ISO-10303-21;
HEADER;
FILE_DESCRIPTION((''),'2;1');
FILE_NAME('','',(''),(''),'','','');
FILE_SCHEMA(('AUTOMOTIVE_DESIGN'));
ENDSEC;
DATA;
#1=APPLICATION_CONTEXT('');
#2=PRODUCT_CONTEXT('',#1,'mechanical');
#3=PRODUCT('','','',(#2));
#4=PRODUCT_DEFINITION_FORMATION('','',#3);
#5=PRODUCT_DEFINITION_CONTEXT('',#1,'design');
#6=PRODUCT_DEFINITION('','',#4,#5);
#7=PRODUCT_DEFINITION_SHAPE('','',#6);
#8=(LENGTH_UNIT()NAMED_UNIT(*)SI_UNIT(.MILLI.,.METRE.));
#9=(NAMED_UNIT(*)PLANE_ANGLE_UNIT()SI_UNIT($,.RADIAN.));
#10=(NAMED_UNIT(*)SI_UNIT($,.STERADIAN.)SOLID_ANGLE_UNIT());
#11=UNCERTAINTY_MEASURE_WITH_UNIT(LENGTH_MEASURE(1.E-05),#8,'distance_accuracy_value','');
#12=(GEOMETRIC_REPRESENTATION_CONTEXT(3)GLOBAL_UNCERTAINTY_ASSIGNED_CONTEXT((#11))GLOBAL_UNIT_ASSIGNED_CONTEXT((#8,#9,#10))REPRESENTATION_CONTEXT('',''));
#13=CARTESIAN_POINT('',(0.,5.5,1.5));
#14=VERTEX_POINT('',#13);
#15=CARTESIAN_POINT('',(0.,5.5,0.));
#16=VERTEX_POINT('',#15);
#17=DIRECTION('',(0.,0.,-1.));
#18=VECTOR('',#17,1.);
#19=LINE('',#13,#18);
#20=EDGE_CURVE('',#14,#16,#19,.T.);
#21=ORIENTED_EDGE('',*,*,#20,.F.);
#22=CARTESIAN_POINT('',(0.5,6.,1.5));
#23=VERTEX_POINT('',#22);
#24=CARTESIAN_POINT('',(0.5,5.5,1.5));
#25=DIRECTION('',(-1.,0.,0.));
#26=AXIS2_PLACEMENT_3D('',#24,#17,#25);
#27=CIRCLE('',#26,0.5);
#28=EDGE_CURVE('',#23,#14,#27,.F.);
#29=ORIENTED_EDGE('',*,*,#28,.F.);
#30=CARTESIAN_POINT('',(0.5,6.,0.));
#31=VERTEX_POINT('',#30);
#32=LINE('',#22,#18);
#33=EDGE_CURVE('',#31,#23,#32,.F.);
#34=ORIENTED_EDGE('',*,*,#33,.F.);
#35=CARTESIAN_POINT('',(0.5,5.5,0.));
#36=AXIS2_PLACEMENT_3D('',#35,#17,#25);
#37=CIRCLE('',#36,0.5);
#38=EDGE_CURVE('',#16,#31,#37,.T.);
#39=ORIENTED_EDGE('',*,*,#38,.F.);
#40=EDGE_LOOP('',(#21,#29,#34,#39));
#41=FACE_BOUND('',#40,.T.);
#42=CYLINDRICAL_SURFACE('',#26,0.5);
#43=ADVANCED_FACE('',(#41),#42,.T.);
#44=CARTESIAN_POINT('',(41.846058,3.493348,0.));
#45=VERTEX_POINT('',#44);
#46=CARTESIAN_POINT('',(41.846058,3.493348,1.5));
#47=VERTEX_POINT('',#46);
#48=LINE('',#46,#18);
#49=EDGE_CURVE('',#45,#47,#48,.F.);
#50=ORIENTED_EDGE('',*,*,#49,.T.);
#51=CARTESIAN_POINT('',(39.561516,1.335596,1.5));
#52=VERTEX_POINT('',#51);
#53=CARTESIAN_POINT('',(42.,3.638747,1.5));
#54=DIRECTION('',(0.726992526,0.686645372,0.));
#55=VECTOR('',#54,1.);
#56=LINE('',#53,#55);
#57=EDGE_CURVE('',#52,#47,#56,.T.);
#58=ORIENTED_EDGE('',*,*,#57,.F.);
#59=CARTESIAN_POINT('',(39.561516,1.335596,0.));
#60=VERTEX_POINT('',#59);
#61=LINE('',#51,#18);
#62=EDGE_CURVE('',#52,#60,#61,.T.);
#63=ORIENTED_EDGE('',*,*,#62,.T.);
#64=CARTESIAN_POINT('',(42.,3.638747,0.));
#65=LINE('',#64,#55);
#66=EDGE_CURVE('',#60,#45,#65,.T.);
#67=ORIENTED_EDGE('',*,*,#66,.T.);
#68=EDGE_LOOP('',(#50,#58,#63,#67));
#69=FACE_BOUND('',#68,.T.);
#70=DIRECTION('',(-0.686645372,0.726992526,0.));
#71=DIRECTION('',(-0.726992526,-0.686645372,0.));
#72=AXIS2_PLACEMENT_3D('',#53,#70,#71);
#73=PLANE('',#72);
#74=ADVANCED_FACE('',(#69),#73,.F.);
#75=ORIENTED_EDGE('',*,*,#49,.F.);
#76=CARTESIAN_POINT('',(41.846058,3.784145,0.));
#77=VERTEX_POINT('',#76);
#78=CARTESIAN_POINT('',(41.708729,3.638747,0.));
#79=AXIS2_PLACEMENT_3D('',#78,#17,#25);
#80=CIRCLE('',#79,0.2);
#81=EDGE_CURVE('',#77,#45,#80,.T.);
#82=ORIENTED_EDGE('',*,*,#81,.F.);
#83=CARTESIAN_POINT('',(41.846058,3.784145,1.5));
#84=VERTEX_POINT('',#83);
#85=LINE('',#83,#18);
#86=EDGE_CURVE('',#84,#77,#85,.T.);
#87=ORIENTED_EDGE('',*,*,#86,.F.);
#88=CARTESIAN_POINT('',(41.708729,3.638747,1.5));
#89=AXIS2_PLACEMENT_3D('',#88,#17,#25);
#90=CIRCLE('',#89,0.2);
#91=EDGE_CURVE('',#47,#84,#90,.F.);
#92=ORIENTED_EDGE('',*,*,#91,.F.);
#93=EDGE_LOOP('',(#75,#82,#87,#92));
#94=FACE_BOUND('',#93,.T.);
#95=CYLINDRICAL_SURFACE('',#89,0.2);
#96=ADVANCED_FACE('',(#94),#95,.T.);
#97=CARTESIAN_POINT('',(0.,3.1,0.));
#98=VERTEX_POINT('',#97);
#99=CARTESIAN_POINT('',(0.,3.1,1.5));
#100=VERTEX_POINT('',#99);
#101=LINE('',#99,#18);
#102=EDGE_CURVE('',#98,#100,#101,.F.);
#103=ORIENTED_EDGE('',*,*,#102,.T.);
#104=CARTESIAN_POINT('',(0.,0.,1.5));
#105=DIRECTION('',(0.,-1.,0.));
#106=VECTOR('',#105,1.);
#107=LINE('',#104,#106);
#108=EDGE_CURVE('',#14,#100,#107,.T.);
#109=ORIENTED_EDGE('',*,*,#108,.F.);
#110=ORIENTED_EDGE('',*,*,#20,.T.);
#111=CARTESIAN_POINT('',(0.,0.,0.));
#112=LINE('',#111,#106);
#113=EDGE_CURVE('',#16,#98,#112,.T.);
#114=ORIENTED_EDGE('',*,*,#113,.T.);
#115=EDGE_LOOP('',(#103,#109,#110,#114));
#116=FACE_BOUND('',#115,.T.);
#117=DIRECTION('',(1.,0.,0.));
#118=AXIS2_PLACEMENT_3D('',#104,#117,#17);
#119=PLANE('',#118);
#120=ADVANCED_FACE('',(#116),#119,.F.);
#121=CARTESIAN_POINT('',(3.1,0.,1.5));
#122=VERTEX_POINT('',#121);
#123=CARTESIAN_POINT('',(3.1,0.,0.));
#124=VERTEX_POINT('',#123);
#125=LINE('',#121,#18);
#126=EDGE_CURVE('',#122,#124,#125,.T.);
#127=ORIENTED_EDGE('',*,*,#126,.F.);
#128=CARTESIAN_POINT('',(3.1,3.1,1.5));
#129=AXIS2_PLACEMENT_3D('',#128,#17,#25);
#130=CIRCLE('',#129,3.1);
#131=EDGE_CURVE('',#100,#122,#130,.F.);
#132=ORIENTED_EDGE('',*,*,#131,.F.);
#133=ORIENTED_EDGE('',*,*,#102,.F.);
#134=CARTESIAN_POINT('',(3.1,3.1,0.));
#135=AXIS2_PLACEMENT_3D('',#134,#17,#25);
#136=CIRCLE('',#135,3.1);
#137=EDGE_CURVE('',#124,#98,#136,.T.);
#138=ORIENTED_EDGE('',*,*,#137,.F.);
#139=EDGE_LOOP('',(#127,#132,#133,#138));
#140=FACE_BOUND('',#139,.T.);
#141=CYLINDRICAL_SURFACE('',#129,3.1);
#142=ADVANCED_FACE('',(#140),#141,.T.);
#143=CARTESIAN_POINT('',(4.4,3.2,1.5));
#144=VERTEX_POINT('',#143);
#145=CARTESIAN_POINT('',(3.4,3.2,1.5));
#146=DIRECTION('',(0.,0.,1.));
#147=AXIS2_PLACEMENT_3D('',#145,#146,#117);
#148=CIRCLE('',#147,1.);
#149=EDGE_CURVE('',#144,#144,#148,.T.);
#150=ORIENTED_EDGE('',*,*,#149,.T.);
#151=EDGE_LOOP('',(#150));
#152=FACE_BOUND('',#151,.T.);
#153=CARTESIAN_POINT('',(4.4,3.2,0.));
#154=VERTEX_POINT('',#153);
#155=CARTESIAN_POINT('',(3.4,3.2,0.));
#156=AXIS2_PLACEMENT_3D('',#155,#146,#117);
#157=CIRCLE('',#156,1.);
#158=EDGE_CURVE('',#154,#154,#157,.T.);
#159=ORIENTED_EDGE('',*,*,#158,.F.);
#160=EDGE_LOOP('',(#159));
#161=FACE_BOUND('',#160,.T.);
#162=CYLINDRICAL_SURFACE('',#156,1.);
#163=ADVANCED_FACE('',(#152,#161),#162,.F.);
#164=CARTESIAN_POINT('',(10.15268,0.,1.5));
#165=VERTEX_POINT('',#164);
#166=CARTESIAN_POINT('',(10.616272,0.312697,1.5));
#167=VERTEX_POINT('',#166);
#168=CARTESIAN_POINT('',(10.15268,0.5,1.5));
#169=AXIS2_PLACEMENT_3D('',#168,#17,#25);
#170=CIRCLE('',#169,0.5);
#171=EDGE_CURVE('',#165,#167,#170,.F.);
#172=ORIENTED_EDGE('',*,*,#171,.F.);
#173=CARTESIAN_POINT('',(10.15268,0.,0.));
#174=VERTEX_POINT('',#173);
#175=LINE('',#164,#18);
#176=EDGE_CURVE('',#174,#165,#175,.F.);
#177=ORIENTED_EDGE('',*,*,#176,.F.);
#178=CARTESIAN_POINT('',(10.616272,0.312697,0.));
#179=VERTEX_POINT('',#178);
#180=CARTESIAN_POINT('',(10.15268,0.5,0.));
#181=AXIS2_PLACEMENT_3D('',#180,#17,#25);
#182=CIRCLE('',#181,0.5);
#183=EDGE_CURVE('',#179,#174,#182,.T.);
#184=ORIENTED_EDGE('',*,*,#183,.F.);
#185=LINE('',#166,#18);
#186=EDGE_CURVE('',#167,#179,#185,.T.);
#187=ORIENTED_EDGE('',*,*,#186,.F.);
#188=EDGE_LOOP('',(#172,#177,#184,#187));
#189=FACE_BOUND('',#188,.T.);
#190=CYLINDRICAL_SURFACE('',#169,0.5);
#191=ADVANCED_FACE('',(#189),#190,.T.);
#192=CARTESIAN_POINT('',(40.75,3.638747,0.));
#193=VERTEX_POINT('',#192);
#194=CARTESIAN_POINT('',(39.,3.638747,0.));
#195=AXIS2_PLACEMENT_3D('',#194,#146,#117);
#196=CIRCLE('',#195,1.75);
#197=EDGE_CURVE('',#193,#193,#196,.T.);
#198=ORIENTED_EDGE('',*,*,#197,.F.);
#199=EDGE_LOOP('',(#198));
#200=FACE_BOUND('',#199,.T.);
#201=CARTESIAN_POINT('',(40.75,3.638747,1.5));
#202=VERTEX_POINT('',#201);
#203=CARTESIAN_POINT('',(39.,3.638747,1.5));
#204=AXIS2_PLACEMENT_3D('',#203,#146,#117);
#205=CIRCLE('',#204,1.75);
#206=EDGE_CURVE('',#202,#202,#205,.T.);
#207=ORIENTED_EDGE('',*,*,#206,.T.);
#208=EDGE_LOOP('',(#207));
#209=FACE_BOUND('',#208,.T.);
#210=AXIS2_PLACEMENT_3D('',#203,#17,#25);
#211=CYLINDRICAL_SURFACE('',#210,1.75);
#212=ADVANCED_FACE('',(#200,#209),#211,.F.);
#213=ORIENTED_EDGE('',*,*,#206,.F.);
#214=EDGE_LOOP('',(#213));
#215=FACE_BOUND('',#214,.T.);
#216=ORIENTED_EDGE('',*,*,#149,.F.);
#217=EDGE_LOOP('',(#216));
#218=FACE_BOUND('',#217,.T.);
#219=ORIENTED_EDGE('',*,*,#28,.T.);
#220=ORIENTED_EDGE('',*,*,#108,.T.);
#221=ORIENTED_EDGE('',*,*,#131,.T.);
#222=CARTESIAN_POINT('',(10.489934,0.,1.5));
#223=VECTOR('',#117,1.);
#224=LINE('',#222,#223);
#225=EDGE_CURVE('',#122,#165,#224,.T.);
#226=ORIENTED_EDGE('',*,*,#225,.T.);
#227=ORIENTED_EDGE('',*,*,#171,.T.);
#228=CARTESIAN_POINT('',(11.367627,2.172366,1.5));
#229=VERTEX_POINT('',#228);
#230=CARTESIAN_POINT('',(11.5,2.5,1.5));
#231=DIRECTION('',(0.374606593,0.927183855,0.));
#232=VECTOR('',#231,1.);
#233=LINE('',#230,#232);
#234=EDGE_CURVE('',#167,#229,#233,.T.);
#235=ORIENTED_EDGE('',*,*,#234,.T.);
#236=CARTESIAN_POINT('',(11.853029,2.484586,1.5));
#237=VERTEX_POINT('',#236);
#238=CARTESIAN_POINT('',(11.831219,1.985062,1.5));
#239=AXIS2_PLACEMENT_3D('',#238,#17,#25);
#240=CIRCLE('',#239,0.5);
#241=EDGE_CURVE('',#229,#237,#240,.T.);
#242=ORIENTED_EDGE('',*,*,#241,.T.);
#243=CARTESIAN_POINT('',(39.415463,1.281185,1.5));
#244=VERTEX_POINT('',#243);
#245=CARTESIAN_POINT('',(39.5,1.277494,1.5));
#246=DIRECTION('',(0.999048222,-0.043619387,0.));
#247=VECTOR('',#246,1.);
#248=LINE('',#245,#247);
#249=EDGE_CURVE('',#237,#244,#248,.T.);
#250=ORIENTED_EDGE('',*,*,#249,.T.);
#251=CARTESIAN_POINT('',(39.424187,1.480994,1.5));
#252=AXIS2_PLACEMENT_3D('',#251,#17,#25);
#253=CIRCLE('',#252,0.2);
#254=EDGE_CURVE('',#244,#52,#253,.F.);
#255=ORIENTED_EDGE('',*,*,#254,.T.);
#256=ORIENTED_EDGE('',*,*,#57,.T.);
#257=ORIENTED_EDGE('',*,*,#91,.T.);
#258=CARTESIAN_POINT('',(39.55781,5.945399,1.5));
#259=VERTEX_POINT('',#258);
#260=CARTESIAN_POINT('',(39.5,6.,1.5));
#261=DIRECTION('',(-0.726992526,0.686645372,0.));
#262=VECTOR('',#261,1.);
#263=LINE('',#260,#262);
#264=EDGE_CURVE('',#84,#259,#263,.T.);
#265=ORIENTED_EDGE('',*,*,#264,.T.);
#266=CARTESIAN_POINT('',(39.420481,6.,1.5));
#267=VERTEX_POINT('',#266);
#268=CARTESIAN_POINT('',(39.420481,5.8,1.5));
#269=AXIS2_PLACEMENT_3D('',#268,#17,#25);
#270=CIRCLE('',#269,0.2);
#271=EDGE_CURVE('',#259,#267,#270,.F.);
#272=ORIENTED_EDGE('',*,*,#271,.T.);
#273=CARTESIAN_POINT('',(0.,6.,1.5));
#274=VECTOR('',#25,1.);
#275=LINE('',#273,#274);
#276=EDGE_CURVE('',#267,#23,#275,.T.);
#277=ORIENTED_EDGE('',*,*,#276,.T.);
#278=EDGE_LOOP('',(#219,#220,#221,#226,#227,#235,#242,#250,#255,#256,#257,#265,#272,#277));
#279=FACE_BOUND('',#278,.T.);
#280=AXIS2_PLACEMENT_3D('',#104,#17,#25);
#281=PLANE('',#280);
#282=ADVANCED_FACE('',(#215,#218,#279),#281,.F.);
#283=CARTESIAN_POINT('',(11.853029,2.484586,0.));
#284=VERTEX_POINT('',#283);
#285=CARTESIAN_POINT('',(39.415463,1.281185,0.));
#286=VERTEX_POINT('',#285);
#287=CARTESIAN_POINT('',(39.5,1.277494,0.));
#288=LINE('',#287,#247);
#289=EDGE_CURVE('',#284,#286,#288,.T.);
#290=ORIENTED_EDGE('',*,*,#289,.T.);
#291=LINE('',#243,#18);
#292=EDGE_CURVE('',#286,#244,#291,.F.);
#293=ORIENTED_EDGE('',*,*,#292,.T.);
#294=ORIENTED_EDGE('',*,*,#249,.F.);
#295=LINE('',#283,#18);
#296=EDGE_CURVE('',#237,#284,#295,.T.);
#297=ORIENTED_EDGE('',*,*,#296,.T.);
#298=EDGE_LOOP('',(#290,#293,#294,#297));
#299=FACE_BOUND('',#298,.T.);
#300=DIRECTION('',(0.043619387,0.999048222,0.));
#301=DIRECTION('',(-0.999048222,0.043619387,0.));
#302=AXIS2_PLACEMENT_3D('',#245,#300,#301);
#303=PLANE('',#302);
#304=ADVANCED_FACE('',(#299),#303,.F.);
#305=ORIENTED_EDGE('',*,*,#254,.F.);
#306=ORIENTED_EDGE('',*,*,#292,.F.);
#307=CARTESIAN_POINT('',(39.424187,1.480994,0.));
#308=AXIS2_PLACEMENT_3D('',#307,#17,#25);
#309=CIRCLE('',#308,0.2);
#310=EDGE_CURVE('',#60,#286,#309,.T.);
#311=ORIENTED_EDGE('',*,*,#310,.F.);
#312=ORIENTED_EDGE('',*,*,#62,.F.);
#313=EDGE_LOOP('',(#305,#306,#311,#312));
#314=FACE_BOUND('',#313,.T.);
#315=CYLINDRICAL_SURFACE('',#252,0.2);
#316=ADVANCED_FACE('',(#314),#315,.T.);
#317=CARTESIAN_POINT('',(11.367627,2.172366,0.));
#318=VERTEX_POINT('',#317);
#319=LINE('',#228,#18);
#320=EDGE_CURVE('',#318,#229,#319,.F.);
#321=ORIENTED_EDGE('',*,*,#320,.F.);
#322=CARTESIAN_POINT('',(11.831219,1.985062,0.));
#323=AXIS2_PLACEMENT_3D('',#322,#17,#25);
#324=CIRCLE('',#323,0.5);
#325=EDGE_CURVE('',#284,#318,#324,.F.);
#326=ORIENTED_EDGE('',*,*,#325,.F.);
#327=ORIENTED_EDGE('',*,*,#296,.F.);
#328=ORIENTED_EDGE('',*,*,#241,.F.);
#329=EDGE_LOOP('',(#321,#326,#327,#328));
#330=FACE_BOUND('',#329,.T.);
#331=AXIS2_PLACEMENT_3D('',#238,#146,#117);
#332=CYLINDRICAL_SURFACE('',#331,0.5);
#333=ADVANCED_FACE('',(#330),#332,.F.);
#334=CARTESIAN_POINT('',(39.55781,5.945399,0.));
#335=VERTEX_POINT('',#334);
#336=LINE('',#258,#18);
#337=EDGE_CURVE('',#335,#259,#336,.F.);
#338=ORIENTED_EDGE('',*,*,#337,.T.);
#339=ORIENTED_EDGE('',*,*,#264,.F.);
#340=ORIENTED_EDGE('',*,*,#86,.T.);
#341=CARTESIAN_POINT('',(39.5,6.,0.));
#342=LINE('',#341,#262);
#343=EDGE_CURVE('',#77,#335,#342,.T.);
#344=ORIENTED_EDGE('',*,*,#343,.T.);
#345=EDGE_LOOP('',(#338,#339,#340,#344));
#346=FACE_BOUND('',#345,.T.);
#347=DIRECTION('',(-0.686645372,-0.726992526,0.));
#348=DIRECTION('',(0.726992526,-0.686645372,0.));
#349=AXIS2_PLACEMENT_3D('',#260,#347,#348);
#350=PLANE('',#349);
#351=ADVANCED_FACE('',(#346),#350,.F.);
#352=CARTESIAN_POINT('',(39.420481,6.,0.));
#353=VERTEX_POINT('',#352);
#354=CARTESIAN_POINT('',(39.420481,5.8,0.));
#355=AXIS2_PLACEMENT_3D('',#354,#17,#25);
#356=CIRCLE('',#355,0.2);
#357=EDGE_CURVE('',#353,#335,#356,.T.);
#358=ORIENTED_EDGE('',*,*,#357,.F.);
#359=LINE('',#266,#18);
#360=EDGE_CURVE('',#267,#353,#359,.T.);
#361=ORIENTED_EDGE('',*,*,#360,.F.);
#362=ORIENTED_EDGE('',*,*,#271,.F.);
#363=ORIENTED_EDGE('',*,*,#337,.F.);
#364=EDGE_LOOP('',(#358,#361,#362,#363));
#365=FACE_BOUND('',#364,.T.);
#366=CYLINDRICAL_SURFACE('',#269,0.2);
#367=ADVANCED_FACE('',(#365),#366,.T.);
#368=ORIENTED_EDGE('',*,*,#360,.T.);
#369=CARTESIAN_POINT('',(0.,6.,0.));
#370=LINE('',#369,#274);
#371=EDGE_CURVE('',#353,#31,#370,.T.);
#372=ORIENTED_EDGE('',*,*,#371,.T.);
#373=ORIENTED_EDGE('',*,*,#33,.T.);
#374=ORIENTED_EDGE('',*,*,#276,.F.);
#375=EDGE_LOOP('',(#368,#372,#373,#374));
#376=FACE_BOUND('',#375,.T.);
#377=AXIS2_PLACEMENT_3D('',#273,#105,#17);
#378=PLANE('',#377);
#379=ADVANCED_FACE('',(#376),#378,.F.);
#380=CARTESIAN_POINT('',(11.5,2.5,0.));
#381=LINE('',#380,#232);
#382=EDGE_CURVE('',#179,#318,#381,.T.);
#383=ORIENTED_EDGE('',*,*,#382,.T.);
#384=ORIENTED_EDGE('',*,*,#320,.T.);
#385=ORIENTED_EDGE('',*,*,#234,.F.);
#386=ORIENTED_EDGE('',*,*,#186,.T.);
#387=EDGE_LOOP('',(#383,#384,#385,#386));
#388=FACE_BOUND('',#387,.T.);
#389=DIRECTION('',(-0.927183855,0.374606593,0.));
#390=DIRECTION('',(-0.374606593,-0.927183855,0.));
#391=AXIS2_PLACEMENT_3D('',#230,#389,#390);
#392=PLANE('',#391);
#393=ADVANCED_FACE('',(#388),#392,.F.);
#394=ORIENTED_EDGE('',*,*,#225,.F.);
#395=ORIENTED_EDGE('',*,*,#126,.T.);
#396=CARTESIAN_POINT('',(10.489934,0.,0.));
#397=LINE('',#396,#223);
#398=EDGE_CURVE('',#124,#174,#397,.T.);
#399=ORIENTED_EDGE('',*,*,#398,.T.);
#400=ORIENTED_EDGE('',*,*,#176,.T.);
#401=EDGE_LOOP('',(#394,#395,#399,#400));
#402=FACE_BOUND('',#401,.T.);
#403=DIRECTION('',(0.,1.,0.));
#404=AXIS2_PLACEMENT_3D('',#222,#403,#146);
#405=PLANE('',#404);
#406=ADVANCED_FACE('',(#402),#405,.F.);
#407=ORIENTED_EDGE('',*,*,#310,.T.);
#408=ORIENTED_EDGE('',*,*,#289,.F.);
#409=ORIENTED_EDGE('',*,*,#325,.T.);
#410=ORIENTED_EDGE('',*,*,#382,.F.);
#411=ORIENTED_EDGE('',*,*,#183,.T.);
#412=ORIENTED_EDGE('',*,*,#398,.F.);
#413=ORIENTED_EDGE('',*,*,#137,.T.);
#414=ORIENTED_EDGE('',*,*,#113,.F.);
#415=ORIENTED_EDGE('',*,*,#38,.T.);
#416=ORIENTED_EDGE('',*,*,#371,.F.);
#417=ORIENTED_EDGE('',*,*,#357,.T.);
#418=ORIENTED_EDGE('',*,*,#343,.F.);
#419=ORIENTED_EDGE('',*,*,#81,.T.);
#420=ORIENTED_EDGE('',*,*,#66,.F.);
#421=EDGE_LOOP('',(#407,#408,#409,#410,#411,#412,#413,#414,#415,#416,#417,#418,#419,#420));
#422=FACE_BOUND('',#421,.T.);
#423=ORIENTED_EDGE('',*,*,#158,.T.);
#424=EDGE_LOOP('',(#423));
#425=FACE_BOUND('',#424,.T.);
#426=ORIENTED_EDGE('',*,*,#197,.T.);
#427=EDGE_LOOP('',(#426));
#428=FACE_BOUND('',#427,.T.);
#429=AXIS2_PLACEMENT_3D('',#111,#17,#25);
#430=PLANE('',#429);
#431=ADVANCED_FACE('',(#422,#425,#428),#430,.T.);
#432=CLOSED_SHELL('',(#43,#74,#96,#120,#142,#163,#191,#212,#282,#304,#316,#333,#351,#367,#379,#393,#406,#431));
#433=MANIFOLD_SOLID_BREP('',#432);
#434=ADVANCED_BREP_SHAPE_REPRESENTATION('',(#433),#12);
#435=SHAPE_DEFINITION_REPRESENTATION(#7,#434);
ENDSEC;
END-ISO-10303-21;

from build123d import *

# Parameters (mm, degrees)
SKETCH1_R           = 1.75
BOSS_EXTRUDE1_DEPTH = 1.5
FILLET1_R           = 0.5
FILLET2_R           = 0.2
SKETCH5_R           = 1
CUT_EXTRUDE3_DEPTH  = 2.5
FILLET3_R           = 3.1


with BuildPart() as part:
    # Sketch1 → Boss-Extrude1 (new body)
    with BuildSketch(Plane.XY):
        Polygon((0, 0), (0, 6), (39.5, 6), (42, 3.638746799), (39.5, 1.277493599), (11.5, 2.5), (10.489934435, 0), align=None)
        with Locations((39, 3.638746799)):
            Circle(SKETCH1_R, mode=Mode.SUBTRACT)
    extrude(amount=BOSS_EXTRUDE1_DEPTH)

    # Fillet1
    fillet1_edges = [part.edges().sort_by_distance(p)[0] for p in [
        (0, 6, 0.75),
        (11.5, 2.5, 0.75),
        (10.489934435, 0, 0.75),
    ]]
    fillet(fillet1_edges, radius=FILLET1_R)

    # Fillet2
    fillet2_edges = [part.edges().sort_by_distance(p)[0] for p in [
        (39.5, 6, 0.75),
        (42, 3.638746799, 0.75),
        (39.5, 1.277493599, 0.75),
    ]]
    fillet(fillet2_edges, radius=FILLET2_R)

    # Sketch5 → Cut-Extrude3 (cut, through all)
    with BuildSketch(Plane.XY.offset(1.5)):
        with Locations((3.4, 3.2)):
            Circle(SKETCH5_R)
    extrude(amount=-CUT_EXTRUDE3_DEPTH, mode=Mode.SUBTRACT)

    # Fillet3
    fillet3_edges = [part.edges().sort_by_distance(p)[0] for p in [
        (0, 0, 0.75),
    ]]
    fillet(fillet3_edges, radius=FILLET3_R)


solid = part.part
